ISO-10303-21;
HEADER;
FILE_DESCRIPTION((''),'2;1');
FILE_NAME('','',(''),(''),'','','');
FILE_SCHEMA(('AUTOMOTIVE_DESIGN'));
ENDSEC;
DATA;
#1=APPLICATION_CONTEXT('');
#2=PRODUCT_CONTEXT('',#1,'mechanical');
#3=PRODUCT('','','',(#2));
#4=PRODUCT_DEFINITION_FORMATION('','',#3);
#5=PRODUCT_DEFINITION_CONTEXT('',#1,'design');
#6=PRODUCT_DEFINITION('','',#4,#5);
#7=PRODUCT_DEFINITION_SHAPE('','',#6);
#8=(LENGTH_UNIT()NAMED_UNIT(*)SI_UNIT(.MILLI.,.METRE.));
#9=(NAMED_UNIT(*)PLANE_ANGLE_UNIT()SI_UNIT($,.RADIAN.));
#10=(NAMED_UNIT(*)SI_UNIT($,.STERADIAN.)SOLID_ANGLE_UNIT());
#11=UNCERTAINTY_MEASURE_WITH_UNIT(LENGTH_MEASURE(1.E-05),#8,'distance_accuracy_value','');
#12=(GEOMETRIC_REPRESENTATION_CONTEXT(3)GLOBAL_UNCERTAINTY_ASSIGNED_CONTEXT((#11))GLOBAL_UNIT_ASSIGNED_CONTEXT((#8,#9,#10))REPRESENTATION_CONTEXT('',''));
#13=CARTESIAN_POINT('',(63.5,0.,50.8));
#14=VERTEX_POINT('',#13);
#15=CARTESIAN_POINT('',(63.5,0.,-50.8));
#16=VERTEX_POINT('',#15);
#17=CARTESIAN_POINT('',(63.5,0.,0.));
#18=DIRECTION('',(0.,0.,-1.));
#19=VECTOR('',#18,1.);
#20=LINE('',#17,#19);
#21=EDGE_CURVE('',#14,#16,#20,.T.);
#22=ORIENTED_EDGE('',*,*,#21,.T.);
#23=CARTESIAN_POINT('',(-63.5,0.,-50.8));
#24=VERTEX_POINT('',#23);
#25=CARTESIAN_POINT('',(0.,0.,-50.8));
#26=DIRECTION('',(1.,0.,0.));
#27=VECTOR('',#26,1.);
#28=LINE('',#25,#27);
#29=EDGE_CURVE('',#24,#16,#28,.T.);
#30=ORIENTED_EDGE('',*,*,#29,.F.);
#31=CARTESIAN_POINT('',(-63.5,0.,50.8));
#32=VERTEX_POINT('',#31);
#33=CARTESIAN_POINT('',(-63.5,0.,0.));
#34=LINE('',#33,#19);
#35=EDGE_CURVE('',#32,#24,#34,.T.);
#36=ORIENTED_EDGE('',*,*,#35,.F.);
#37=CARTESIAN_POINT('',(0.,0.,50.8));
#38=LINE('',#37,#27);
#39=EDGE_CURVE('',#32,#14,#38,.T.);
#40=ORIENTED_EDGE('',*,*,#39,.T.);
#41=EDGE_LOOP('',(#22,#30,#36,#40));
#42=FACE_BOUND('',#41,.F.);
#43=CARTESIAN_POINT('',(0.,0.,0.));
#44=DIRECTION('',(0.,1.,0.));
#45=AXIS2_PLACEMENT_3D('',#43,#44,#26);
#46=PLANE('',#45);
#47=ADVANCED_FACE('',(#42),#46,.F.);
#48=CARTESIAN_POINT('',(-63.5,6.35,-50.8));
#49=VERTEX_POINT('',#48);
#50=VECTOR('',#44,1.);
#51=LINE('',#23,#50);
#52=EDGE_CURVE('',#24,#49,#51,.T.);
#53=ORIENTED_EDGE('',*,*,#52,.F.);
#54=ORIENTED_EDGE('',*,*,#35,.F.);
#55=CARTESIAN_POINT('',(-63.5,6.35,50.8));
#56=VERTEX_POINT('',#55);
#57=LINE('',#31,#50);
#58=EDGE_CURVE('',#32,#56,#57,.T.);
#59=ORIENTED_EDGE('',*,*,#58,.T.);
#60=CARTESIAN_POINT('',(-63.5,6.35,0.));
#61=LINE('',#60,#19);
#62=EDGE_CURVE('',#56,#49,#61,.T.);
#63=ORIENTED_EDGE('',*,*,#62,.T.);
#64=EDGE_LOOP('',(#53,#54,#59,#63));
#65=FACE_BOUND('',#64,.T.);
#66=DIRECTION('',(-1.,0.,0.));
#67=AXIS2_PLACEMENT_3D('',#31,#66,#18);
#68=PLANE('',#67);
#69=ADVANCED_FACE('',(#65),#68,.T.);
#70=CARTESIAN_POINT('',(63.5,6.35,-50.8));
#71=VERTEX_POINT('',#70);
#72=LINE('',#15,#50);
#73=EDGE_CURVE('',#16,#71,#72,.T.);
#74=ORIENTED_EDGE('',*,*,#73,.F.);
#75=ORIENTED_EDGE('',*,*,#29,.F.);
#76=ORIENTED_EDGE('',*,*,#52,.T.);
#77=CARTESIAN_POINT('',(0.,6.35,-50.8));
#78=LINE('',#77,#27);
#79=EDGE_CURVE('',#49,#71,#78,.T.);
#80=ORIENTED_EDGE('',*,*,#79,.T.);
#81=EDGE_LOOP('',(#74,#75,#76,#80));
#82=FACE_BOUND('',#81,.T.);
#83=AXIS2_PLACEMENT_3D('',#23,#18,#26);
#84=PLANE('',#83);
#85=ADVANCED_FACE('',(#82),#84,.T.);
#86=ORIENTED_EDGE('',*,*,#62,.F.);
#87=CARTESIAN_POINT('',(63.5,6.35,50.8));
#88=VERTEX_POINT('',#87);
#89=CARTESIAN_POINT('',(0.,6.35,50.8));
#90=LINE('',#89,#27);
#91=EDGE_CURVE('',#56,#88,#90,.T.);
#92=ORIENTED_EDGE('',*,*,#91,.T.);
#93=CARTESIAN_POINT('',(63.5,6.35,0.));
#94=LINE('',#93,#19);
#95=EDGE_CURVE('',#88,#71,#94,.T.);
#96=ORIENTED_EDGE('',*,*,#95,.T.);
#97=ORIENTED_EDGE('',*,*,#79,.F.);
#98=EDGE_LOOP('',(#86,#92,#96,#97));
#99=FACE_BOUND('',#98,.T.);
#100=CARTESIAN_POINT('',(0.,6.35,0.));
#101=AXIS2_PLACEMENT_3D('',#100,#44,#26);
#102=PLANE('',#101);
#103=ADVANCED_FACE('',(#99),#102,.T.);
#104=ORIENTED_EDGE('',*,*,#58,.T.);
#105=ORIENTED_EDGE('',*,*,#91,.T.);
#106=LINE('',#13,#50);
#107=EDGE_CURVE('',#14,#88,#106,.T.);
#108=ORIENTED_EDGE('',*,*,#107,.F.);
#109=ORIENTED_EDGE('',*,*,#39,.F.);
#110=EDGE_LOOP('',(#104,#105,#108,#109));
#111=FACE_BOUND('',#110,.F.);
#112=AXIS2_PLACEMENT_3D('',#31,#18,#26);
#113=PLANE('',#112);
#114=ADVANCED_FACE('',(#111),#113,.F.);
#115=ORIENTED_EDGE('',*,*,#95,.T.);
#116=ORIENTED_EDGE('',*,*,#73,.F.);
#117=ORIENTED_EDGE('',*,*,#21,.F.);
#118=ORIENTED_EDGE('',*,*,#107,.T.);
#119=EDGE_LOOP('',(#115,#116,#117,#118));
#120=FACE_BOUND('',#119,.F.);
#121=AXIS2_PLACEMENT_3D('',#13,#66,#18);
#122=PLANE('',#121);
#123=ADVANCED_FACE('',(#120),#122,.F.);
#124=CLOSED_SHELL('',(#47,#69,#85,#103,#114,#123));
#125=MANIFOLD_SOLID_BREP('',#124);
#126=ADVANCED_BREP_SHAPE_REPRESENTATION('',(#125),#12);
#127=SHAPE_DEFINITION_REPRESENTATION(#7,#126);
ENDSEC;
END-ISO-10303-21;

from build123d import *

# Parameters (mm, degrees)
SKETCH1_W           = 127
SKETCH1_H           = 101.6
SKETCH1_W_2         = 114.3
SKETCH1_H_2         = 88.9
BOSS_EXTRUDE1_DEPTH = 6.35
SKETCH1_2_W         = 114.3
SKETCH1_2_H         = 88.9
BOSS_EXTRUDE2_DEPTH = 6.35


with BuildPart() as part:
    # Sketch1 → Boss-Extrude1 (new body)
    with BuildSketch(Plane(origin=(0, 0, 0), x_dir=(1, 0, 0), z_dir=(0, 1, 0))):
        Rectangle(SKETCH1_W, SKETCH1_H)
        Rectangle(SKETCH1_W_2, SKETCH1_H_2, mode=Mode.SUBTRACT)
    extrude(amount=BOSS_EXTRUDE1_DEPTH)

    # Sketch1<2> → Boss-Extrude2 (add)
    with BuildSketch(Plane(origin=(0, 0, 0), x_dir=(1, 0, 0), z_dir=(0, 1, 0))):
        Rectangle(SKETCH1_2_W, SKETCH1_2_H)
    extrude(amount=BOSS_EXTRUDE2_DEPTH)


solid = part.part
